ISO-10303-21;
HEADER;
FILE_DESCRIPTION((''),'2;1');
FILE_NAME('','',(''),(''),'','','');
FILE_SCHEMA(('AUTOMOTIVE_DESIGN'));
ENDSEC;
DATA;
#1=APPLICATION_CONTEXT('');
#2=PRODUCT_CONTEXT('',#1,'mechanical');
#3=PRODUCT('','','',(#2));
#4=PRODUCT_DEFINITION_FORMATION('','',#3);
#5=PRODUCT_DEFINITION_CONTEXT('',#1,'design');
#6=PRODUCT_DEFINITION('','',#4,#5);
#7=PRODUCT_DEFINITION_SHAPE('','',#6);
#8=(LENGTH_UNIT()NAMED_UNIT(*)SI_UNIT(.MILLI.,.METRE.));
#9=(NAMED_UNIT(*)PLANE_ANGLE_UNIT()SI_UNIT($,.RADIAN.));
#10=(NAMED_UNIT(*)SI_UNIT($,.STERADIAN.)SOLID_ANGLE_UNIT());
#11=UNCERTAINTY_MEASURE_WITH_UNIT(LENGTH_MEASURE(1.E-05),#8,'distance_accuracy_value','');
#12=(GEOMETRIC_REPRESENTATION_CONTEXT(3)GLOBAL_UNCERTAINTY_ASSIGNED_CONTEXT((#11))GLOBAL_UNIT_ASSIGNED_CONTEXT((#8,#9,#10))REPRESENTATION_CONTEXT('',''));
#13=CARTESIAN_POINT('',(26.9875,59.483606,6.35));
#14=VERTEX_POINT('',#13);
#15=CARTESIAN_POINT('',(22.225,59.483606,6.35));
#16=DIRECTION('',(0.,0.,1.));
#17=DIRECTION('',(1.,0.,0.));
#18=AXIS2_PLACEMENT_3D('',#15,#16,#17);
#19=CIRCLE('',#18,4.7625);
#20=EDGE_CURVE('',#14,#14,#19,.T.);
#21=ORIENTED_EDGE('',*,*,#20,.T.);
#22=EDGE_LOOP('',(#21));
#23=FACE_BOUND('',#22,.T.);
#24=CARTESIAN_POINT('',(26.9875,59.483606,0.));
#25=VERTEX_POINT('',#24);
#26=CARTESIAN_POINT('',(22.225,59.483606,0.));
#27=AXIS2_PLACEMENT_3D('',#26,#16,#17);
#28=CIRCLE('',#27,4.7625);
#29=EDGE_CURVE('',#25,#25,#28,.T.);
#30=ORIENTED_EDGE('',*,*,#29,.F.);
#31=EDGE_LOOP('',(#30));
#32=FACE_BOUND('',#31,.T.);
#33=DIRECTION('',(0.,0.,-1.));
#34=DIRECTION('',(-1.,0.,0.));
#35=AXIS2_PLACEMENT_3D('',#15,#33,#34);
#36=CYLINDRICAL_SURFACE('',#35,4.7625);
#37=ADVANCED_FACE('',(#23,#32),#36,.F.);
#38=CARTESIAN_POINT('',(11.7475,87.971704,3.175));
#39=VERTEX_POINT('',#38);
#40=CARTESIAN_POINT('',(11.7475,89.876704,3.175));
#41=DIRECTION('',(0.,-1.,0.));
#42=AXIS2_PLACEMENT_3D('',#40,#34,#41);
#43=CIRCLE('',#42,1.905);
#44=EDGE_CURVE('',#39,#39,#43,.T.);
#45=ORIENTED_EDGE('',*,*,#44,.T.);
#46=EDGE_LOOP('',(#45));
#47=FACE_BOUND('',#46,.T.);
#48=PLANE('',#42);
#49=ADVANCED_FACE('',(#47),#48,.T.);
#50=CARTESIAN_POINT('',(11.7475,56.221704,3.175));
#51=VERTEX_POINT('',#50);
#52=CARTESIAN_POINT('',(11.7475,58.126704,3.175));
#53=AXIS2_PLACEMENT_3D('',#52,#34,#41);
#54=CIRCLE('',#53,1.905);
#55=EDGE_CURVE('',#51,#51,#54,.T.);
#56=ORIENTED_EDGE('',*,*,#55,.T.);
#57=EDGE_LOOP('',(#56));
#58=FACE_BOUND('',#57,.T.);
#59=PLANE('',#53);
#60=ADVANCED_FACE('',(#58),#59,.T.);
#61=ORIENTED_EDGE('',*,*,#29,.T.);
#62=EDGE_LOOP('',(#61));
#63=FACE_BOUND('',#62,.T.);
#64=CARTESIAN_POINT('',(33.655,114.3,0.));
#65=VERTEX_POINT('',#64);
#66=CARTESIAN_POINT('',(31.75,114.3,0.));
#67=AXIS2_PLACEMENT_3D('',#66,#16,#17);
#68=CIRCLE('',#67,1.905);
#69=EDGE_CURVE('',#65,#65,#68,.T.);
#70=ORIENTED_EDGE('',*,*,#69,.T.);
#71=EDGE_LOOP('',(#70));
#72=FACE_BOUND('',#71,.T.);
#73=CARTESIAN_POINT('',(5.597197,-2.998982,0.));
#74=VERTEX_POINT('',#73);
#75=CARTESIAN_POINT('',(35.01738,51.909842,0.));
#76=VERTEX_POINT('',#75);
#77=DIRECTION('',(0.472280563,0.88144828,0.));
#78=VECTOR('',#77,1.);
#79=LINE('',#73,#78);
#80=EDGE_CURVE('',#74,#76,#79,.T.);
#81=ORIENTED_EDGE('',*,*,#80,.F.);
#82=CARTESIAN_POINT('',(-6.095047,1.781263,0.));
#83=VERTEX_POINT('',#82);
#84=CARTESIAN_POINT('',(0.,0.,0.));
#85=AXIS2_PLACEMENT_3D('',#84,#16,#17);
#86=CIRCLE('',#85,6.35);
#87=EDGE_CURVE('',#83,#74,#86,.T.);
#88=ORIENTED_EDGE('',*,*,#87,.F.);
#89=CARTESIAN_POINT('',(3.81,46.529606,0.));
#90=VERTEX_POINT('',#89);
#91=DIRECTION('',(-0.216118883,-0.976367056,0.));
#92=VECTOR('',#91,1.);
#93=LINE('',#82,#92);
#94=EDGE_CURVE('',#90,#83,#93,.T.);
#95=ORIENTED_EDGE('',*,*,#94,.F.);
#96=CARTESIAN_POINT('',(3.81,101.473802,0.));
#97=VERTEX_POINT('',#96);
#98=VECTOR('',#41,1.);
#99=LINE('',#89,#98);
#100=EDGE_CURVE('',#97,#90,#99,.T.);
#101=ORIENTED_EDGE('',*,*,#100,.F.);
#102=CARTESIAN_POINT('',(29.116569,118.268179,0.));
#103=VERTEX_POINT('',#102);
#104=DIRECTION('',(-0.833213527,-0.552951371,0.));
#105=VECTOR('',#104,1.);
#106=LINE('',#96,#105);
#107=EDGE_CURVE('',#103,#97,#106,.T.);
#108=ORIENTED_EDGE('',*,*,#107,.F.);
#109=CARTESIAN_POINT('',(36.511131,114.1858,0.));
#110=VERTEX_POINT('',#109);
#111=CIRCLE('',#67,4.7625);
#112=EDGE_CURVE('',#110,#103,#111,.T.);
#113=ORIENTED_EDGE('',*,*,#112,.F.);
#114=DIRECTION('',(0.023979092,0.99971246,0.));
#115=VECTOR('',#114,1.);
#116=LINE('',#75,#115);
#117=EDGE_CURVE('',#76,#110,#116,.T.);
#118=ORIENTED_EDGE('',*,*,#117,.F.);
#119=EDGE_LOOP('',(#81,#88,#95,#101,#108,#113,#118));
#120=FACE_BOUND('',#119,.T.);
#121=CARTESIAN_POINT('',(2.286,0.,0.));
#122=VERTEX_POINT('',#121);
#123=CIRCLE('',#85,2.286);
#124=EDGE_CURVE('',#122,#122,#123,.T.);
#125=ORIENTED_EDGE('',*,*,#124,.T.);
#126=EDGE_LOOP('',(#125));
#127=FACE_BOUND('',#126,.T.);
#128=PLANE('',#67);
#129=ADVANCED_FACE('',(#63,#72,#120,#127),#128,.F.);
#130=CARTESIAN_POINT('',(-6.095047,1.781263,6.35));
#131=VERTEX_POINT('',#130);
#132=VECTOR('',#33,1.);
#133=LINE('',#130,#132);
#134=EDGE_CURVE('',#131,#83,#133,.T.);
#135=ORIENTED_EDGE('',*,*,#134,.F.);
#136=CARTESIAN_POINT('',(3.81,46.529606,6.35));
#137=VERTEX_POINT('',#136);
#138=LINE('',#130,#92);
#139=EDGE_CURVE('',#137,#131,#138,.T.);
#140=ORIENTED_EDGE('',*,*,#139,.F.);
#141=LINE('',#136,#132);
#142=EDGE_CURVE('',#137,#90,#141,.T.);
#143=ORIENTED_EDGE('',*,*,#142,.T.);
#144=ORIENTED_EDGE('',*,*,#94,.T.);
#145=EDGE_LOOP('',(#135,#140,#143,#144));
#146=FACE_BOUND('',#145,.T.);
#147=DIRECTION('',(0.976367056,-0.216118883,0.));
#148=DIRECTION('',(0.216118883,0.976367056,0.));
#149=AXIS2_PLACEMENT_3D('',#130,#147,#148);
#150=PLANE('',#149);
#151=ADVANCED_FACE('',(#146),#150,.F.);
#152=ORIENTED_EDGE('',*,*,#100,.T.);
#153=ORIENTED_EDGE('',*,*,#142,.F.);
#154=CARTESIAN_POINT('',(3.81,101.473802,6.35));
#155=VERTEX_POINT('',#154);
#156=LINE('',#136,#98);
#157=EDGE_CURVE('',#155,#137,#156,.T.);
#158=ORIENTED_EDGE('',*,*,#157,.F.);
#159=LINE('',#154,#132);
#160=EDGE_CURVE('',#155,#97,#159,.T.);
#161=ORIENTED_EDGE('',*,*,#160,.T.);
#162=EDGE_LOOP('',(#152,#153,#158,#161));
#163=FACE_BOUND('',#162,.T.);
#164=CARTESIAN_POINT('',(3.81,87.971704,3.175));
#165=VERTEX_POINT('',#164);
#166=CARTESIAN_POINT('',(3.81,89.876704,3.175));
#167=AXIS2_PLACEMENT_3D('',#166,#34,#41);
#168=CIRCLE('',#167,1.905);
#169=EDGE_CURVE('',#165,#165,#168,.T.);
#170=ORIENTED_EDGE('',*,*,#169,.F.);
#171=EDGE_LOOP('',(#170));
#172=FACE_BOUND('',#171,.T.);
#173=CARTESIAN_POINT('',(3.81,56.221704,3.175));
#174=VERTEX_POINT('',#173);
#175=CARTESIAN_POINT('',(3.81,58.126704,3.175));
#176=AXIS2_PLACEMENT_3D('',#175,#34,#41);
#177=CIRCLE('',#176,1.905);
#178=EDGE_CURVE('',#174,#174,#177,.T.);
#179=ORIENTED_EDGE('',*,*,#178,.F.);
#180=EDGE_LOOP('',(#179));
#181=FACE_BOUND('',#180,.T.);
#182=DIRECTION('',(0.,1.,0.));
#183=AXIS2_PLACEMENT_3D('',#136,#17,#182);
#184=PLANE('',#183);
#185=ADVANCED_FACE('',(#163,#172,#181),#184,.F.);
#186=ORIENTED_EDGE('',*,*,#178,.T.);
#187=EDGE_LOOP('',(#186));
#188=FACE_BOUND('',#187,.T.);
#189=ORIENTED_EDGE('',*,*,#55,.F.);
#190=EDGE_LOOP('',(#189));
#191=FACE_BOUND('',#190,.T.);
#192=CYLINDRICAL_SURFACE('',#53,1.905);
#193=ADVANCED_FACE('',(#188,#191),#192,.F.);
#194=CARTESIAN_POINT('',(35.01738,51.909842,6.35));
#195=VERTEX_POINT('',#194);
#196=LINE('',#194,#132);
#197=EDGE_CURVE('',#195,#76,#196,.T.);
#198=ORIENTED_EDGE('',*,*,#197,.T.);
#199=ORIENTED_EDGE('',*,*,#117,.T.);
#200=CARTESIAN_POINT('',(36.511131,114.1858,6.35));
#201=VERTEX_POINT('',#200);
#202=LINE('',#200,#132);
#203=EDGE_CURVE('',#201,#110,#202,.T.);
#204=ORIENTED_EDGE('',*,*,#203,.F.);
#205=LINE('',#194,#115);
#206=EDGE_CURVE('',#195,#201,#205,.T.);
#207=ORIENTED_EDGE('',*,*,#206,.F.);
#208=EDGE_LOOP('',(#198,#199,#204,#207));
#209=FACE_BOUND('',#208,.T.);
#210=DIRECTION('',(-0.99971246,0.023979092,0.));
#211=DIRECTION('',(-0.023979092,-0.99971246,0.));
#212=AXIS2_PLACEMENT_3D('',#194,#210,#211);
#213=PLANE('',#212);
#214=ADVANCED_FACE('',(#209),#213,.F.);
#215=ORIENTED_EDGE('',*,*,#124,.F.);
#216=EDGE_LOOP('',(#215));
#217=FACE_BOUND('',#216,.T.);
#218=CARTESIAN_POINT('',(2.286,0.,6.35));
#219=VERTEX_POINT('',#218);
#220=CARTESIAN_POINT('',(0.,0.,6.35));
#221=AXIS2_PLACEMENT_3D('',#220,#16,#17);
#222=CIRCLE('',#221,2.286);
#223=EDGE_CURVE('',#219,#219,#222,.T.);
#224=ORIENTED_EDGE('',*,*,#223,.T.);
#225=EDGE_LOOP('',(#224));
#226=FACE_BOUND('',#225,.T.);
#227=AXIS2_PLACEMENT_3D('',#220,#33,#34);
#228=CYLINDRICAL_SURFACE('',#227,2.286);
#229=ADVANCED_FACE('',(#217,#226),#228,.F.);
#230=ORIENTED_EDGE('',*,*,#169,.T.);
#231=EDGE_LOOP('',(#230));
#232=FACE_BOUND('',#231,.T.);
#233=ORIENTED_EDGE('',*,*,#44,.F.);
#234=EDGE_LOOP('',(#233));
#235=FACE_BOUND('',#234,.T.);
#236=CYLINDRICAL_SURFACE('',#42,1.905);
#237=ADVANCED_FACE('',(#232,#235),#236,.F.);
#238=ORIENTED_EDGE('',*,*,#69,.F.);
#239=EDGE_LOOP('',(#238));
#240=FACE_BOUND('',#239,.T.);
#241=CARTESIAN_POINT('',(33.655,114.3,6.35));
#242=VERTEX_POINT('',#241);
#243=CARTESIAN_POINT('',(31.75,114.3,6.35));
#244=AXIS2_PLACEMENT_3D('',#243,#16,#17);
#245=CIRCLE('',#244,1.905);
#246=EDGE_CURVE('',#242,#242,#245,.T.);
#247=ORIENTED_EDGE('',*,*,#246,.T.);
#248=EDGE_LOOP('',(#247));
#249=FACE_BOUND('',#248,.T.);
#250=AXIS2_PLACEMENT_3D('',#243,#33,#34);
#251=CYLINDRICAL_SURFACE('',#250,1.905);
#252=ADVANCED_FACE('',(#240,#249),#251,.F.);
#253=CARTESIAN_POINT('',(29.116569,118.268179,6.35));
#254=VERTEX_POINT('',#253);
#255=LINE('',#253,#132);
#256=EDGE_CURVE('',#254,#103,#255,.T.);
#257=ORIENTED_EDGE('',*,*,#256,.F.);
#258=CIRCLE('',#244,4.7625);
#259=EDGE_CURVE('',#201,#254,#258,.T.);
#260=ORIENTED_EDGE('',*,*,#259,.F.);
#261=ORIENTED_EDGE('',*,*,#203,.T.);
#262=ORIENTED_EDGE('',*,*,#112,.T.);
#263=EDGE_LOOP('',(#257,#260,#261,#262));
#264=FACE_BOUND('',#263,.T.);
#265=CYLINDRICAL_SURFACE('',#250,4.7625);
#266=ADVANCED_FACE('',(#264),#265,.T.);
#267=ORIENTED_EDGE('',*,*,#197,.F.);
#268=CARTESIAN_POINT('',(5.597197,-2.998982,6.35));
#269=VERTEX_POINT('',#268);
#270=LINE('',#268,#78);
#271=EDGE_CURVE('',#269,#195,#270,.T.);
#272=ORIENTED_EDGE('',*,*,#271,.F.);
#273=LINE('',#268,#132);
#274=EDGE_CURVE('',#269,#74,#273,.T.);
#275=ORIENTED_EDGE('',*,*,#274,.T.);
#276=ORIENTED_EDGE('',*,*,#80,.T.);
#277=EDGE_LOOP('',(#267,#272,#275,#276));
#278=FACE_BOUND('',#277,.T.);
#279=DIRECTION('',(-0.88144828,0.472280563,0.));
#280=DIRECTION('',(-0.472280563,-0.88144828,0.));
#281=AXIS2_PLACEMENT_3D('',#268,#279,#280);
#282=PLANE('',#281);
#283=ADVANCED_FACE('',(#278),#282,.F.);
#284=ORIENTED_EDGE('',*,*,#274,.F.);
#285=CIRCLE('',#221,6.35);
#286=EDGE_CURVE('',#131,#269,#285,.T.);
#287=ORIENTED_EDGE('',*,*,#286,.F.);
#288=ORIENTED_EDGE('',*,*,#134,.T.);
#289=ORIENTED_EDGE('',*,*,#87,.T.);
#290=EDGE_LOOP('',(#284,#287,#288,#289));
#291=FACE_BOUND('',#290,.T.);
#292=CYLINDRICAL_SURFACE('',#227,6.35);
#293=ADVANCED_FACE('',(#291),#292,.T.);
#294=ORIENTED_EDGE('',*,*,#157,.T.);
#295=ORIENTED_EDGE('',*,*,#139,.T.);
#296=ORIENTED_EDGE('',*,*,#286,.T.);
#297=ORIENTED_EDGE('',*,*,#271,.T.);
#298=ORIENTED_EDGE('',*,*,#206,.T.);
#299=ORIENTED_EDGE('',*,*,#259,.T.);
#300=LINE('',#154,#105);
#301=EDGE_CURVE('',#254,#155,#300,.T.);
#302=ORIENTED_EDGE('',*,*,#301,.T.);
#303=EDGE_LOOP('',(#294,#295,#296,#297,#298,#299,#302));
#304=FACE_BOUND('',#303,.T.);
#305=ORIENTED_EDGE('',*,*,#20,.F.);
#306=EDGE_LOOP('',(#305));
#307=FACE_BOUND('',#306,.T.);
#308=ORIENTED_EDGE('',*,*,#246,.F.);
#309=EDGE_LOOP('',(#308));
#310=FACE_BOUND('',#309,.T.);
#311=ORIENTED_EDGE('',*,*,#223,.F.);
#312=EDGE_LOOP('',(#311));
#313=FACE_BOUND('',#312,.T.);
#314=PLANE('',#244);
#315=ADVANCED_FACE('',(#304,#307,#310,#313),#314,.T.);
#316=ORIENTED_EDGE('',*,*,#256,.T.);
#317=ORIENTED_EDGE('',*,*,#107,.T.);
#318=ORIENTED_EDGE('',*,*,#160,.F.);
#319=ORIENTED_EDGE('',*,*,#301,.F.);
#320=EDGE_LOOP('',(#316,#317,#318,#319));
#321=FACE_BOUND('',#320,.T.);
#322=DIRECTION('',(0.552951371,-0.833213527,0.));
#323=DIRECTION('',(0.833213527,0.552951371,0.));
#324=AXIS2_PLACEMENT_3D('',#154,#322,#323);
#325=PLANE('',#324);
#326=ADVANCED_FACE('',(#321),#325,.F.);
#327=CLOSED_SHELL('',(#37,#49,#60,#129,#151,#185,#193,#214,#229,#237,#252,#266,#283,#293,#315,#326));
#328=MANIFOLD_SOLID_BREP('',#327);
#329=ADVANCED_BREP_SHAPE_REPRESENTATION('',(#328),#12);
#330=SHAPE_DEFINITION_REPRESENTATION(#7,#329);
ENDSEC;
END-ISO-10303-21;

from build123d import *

# Parameters (mm, degrees)
SKETCH1_R           = 2.286
SKETCH1_R_2         = 1.905
SKETCH1_R_3         = 4.7625
BOSS_EXTRUDE1_DEPTH = 6.35
SKETCH2_R           = 1.905
CUT_EXTRUDE1_DEPTH  = 7.9375


with BuildPart() as part:
    # Sketch1 → Boss-Extrude1 (new body)
    with BuildSketch(Plane.XY):
        with BuildLine():
            Line((35.017380191, 51.909842308), (36.511130592, 114.185799576))
            ThreePointArc((36.511130592, 114.185799576), (34.05178904, 118.469313309), (29.116569093, 118.26817942))
            Line((29.116569093, 118.26817942), (3.81, 101.473802417))
            Line((3.81, 101.473802417), (3.81, 46.529605935))
            Line((3.81, 46.529605935), (-6.095047303, 1.78126314))
            ThreePointArc((-6.095047303, 1.78126314), (-2.403049878, -5.877742023), (5.597196577, -2.998981573))
            Line((5.597196577, -2.998981573), (35.017380191, 51.909842308))
        make_face()
        Circle(SKETCH1_R, mode=Mode.SUBTRACT)
        with Locations((31.75, 114.3)):
            Circle(SKETCH1_R_2, mode=Mode.SUBTRACT)
        with Locations((22.225, 59.483605935)):
            Circle(SKETCH1_R_3, mode=Mode.SUBTRACT)
    extrude(amount=BOSS_EXTRUDE1_DEPTH)

    # Sketch2 → Cut-Extrude1 (cut)
    with BuildSketch(Plane.ZY.offset(-3.81)):
        with Locations(Location((3.175, 89.876704176, 0), (0, 0, 270))):
            Circle(SKETCH2_R)
        with Locations(Location((3.175, 58.126704176, 0), (0, 0, 270))):
            Circle(SKETCH2_R)
    extrude(amount=-CUT_EXTRUDE1_DEPTH, mode=Mode.SUBTRACT)


solid = part.part
